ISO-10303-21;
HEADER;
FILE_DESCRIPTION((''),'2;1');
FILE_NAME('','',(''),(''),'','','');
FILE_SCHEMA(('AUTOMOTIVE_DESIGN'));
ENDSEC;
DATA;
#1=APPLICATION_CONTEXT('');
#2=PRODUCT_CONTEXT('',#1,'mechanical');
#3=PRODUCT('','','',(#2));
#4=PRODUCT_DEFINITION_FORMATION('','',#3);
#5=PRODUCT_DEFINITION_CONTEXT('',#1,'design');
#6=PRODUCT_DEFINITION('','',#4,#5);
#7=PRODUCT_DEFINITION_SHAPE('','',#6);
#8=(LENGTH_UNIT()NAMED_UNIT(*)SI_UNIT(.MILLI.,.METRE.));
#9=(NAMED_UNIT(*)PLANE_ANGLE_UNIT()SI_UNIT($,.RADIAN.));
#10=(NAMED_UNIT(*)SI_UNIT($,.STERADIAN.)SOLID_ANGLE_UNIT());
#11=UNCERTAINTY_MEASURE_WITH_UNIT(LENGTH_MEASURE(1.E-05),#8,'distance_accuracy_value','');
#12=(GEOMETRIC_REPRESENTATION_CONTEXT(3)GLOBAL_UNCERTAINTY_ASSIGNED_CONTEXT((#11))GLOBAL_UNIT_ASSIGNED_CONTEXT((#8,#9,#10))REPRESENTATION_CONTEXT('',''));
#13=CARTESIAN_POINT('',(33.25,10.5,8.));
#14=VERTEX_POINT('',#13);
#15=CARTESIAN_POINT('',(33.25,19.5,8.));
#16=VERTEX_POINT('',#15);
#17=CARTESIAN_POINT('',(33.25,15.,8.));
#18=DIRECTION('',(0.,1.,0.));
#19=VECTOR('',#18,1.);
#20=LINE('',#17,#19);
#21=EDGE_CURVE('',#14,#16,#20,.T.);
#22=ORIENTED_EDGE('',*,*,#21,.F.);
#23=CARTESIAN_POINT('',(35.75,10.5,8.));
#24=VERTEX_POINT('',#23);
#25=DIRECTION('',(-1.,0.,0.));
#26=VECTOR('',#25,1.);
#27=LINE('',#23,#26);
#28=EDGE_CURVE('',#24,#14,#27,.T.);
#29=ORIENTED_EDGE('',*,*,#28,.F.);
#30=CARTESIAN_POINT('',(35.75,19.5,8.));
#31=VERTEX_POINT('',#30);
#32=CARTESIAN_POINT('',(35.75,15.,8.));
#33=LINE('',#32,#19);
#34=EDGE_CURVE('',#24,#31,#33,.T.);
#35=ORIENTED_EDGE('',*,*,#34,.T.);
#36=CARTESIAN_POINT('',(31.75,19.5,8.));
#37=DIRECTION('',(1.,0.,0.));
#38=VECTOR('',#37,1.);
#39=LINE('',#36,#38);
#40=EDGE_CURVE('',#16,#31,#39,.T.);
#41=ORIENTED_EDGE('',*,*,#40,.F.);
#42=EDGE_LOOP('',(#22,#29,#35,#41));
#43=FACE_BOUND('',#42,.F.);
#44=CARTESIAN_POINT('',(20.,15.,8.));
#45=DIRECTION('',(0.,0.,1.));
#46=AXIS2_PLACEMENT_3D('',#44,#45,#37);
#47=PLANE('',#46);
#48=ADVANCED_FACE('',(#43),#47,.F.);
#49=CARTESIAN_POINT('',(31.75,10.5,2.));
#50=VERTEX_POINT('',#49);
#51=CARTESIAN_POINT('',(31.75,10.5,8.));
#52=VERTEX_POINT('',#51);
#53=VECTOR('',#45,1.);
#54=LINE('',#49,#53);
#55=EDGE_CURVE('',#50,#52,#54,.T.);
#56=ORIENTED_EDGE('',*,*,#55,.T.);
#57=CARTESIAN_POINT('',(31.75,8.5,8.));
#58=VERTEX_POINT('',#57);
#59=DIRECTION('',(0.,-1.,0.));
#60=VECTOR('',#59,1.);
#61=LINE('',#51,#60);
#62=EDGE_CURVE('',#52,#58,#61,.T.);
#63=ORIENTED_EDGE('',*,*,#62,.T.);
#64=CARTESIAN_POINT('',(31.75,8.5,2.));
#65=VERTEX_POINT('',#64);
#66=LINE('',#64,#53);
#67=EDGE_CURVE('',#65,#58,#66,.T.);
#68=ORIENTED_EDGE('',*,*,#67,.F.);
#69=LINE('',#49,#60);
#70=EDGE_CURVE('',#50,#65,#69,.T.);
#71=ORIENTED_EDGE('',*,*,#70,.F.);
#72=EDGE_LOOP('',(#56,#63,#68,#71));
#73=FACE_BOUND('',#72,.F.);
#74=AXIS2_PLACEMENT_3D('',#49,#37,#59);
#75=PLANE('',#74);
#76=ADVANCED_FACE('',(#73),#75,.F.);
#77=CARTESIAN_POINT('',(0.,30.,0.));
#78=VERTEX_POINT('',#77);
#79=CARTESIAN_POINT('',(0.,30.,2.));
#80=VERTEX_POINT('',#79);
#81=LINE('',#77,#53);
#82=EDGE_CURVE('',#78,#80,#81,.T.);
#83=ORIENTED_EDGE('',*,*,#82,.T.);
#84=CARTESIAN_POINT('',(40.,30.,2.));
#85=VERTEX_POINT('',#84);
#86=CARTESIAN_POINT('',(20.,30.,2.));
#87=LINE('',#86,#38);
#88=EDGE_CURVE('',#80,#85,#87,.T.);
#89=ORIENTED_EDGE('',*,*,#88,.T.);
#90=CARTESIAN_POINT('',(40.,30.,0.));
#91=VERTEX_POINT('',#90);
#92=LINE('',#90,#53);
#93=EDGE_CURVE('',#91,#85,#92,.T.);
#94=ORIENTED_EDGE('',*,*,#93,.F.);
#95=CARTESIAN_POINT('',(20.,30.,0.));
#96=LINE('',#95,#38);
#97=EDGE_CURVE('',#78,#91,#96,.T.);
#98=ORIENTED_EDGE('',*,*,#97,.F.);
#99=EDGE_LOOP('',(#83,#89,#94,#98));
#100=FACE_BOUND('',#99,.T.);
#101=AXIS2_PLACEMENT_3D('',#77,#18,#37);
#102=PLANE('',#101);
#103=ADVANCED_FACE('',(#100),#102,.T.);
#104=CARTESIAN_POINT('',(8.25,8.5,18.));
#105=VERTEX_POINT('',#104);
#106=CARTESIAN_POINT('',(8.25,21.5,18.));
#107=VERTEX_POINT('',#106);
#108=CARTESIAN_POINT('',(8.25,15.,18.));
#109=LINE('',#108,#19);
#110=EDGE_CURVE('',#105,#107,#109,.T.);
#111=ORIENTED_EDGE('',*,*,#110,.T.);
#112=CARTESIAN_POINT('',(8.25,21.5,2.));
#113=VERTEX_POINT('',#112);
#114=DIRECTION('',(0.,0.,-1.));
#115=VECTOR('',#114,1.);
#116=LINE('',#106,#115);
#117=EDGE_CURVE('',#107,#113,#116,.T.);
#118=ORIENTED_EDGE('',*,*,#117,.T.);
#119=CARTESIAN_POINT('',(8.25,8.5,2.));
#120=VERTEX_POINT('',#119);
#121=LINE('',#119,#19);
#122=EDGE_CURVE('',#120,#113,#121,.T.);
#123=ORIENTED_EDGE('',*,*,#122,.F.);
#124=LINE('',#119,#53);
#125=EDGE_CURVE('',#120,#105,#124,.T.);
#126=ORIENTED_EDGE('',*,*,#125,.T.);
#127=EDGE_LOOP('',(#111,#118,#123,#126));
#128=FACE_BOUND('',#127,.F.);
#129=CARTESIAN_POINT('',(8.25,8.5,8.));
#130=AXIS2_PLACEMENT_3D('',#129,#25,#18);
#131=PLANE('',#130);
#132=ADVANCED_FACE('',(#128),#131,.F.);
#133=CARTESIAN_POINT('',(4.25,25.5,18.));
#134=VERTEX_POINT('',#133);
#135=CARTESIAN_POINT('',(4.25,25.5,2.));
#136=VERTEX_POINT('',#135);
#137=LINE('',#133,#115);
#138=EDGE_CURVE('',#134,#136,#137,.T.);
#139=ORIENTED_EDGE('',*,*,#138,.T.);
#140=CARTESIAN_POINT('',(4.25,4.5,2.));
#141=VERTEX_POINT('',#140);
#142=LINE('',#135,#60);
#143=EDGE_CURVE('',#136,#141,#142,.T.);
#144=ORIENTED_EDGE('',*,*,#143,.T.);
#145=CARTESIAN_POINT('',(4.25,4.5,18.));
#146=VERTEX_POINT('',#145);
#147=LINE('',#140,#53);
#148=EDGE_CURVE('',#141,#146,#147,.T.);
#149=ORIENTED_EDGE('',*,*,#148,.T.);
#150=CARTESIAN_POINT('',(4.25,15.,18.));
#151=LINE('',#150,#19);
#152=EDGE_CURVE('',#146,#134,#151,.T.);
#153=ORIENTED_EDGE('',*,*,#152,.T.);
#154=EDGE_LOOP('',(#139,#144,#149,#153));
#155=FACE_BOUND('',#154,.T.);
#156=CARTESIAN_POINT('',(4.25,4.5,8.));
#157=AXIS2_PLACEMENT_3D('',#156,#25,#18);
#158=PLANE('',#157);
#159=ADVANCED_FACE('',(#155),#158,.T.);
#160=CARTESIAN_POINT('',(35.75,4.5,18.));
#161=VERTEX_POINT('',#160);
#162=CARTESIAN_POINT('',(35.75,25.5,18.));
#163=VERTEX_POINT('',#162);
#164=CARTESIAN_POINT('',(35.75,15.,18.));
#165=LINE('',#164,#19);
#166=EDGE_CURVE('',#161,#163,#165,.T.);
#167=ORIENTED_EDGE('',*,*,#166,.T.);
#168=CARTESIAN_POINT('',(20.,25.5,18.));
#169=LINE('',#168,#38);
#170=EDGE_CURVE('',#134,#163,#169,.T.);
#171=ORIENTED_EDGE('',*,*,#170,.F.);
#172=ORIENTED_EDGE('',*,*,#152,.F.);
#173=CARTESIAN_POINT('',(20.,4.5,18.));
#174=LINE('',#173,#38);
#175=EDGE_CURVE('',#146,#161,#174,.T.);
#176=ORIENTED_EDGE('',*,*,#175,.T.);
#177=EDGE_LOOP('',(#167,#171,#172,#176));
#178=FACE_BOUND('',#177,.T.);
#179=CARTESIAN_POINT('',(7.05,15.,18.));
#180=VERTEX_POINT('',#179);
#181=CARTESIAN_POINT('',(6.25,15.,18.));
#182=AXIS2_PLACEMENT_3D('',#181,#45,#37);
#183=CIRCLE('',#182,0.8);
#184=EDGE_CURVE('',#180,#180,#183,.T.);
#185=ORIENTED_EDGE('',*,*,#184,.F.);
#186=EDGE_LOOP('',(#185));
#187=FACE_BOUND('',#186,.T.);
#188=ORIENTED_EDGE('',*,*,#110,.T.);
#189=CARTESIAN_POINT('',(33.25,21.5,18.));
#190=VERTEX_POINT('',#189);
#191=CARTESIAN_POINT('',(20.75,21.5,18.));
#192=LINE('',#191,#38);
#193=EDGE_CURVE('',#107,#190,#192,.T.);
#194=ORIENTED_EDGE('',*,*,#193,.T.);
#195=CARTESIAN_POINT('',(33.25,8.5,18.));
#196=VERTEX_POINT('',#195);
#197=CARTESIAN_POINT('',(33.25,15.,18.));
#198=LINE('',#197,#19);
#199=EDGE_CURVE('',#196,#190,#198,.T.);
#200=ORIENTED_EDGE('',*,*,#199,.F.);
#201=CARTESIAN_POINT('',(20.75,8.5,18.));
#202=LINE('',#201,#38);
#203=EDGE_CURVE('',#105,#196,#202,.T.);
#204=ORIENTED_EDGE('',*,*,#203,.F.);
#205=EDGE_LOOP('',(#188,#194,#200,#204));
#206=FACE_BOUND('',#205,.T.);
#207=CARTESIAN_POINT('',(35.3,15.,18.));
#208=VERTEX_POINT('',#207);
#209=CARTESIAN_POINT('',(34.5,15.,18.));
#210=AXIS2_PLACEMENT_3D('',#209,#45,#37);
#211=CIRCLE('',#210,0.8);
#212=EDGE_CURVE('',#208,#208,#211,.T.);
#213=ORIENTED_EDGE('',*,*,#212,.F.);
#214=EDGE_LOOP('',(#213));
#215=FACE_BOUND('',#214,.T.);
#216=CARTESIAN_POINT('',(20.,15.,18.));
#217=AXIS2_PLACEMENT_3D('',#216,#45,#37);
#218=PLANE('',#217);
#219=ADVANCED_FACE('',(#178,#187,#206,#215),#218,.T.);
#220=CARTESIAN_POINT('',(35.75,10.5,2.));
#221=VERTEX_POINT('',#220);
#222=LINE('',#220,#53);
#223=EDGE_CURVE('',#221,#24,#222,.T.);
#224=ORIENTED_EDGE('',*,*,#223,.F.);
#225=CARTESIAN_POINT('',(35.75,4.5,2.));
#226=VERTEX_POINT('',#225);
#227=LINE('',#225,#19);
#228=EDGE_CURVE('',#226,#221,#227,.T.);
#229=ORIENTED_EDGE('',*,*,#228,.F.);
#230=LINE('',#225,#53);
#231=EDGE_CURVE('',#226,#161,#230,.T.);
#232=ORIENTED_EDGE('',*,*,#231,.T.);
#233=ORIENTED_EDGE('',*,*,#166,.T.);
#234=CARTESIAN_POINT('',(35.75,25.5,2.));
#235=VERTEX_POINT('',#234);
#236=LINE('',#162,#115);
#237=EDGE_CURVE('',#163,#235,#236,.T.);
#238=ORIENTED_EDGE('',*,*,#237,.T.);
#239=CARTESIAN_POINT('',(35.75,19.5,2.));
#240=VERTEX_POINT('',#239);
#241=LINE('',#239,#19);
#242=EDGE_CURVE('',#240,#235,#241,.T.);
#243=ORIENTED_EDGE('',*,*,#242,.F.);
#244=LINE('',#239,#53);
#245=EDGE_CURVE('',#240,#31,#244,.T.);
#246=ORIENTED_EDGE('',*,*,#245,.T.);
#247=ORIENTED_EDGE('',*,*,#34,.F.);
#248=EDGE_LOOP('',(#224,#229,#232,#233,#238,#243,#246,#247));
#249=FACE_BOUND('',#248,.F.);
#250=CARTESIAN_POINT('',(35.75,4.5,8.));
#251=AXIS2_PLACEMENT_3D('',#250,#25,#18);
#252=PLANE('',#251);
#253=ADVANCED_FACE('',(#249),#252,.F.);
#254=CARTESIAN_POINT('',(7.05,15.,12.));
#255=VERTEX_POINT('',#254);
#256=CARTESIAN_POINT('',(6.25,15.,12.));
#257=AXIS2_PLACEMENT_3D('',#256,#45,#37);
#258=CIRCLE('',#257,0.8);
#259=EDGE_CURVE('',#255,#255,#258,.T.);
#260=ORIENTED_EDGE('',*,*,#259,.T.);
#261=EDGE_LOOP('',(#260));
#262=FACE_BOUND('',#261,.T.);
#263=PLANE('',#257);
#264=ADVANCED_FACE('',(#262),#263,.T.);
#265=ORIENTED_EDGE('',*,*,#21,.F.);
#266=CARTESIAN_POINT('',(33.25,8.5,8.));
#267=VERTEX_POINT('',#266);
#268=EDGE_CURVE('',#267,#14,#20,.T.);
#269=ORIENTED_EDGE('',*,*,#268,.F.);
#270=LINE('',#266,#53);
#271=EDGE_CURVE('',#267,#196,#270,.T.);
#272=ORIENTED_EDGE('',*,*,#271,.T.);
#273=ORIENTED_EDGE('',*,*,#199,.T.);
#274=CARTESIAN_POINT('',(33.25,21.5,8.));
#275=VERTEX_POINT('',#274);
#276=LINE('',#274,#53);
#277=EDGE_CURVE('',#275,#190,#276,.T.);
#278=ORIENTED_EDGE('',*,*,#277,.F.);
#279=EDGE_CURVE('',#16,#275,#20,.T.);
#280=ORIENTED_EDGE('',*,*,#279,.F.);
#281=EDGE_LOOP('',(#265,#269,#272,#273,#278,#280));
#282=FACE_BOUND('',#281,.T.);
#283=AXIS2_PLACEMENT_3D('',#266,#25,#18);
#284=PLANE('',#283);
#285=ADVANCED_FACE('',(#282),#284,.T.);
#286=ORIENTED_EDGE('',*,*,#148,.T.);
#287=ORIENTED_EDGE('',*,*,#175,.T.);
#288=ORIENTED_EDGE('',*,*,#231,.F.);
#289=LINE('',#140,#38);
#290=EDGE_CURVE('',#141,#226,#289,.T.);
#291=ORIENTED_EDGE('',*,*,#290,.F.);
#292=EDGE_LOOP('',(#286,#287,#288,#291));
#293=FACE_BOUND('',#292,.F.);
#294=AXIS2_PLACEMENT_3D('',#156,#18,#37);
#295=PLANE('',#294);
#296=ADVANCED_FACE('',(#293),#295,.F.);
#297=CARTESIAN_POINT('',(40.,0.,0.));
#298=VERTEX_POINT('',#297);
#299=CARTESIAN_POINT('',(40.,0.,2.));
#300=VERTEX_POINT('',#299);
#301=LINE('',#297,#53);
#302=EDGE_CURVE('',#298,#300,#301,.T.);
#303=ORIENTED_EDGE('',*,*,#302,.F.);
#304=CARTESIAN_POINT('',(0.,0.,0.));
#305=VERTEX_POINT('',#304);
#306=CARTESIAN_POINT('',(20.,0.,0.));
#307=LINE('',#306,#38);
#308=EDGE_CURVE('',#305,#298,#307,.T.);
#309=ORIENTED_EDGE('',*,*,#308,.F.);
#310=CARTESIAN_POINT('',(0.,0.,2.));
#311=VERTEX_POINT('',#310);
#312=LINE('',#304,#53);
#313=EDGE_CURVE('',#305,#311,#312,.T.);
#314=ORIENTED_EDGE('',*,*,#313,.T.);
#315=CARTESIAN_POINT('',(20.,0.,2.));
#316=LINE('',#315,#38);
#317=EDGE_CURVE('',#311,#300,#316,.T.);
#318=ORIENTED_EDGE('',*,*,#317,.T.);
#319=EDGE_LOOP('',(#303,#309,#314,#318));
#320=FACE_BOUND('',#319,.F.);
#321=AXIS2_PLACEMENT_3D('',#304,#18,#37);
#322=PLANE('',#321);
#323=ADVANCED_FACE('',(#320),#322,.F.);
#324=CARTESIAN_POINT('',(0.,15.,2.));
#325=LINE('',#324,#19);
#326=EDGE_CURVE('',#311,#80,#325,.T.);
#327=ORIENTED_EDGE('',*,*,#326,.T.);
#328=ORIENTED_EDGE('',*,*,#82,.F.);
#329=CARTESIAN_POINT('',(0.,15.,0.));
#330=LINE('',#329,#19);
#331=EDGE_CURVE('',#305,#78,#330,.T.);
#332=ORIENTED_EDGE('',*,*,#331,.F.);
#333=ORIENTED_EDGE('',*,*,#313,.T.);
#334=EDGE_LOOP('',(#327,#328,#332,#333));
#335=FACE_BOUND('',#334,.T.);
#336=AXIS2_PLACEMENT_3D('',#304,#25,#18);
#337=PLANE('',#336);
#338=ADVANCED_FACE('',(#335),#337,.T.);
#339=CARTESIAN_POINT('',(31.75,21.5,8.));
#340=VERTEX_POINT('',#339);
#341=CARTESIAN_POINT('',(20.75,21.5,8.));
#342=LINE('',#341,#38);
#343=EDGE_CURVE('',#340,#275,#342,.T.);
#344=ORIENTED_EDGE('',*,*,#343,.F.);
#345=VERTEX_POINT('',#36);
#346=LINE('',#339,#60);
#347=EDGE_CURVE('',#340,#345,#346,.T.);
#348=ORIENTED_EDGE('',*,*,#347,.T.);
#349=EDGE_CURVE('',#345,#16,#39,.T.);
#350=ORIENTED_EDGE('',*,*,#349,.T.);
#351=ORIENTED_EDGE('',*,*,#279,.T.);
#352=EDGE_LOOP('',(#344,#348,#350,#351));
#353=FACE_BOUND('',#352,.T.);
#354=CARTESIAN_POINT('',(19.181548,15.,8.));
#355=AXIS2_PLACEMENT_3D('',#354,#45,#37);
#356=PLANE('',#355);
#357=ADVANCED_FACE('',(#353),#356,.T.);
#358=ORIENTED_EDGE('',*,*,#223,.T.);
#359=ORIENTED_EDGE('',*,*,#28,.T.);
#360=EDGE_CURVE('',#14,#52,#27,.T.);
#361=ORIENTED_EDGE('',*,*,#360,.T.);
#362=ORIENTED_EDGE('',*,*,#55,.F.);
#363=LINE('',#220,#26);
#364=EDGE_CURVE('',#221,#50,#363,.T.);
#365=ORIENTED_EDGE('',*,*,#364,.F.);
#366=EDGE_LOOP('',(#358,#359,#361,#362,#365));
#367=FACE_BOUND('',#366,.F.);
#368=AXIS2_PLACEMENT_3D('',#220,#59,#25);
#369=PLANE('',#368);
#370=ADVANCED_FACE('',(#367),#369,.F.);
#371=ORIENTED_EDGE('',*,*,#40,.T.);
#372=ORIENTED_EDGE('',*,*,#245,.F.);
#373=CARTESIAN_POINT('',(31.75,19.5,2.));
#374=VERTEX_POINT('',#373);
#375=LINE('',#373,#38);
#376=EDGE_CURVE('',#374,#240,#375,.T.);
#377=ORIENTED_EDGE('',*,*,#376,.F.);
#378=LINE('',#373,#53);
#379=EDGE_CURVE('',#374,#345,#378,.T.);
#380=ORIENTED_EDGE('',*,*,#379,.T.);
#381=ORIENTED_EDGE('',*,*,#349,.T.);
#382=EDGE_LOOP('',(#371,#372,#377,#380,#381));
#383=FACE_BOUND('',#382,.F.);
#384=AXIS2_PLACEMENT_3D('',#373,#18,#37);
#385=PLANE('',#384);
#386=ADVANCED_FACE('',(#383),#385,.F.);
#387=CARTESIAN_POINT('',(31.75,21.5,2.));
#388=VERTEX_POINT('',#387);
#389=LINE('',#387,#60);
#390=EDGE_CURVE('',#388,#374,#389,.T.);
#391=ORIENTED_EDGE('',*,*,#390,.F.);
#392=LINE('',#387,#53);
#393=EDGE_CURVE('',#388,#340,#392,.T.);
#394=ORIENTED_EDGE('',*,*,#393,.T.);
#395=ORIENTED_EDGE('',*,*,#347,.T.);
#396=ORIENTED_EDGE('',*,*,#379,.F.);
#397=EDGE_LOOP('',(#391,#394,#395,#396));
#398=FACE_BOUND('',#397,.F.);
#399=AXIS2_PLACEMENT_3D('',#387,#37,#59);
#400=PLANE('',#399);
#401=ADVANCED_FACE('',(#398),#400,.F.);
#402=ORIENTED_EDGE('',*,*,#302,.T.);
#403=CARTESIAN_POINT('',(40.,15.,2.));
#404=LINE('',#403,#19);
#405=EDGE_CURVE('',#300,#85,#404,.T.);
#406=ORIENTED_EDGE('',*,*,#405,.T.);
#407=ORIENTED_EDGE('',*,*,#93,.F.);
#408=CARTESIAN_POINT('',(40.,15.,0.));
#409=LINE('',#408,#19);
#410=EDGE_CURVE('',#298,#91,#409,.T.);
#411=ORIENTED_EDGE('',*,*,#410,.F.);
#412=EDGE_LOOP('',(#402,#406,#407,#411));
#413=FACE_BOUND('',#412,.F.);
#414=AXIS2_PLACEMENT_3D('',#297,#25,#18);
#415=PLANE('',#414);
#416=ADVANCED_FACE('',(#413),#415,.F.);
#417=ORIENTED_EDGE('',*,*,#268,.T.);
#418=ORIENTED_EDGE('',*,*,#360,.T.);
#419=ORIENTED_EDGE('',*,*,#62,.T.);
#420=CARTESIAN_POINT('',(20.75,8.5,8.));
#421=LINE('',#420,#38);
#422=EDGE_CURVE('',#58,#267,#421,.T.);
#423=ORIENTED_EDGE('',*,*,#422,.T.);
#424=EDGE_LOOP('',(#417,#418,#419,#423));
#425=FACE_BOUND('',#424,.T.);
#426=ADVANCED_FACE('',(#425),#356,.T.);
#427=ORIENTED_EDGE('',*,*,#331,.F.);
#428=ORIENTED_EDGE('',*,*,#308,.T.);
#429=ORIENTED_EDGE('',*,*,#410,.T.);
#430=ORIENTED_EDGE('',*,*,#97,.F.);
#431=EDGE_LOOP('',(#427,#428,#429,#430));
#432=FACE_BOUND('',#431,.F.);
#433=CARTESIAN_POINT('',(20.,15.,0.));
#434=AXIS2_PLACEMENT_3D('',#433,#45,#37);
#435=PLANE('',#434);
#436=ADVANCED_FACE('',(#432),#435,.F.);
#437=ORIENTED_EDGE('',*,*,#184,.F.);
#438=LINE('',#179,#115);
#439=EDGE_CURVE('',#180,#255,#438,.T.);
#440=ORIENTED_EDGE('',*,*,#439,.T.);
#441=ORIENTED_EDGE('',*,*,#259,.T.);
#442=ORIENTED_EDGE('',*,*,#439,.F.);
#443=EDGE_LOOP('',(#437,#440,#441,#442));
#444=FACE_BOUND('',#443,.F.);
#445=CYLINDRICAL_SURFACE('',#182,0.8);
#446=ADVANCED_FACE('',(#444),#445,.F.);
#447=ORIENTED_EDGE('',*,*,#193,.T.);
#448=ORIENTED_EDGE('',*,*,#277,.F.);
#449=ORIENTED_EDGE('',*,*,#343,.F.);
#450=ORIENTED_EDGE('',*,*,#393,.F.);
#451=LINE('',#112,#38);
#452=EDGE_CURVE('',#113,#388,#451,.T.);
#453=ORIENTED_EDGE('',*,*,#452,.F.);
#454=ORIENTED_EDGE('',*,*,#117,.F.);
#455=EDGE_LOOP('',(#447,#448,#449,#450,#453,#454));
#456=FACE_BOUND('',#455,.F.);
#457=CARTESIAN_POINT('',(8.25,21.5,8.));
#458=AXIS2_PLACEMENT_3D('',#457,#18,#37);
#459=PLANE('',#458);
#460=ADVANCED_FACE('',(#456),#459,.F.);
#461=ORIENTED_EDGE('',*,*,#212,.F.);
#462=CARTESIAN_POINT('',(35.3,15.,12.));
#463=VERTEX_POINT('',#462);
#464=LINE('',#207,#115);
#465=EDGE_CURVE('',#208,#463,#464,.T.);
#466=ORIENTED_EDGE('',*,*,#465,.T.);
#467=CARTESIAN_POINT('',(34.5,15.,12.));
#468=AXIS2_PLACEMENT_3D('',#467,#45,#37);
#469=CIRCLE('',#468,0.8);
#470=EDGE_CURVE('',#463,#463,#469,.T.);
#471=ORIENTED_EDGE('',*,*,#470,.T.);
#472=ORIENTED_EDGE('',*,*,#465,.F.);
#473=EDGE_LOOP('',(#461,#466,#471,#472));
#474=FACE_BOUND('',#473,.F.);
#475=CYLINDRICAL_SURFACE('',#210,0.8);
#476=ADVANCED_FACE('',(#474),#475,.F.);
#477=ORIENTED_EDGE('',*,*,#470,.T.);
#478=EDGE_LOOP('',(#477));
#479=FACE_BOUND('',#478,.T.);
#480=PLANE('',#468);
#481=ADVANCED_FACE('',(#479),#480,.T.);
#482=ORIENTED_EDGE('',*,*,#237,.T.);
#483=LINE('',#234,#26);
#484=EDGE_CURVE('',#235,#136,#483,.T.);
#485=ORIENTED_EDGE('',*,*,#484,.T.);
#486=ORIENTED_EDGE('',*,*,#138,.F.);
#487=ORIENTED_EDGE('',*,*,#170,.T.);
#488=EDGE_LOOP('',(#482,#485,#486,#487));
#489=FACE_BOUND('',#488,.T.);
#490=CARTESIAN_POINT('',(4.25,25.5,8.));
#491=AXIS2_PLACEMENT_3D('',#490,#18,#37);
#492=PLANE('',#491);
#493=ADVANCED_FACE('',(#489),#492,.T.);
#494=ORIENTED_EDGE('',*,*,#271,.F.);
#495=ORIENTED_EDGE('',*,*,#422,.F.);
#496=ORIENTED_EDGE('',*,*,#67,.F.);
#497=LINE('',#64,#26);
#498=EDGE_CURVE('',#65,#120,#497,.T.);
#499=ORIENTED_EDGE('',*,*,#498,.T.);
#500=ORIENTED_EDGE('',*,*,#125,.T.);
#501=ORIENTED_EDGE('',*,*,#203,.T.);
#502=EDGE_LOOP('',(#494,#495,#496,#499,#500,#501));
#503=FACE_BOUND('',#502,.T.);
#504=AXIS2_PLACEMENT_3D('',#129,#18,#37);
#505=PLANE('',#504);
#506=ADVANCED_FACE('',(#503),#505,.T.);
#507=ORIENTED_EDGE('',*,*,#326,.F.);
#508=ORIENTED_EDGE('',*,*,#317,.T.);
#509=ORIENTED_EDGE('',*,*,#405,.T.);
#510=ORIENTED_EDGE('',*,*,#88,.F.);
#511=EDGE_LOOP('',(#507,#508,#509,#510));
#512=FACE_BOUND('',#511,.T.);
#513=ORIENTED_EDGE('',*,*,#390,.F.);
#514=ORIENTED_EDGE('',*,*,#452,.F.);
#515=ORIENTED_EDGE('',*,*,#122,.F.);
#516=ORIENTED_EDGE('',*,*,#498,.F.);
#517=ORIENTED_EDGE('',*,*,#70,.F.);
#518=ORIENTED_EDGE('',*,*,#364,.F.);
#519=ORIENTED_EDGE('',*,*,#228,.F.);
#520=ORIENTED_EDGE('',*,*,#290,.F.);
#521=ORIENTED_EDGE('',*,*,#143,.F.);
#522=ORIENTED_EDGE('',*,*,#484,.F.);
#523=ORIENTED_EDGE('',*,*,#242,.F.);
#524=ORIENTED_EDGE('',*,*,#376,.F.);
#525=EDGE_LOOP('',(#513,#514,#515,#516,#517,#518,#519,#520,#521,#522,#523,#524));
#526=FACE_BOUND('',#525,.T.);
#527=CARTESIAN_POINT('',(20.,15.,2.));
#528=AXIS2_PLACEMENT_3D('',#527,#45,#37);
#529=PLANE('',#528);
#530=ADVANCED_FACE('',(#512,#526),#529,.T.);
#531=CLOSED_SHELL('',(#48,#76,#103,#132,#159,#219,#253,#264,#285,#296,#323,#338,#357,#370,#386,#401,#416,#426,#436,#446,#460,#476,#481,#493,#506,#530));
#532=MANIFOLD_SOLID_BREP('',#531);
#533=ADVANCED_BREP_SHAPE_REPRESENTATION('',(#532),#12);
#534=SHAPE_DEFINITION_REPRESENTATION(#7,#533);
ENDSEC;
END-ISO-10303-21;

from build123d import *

# Parameters (mm, degrees)
BOX_W         = 40
BOX_H         = 30
BOX_DEPTH     = 2
PAD_DEPTH     = 6
SKETCH001_W   = 31.5
SKETCH001_H   = 21
SKETCH001_W_2 = 25
SKETCH001_H_2 = 13
PAD001_DEPTH  = 10
SKETCH002_R   = 0.8
POCKET_DEPTH  = 6


with BuildPart() as part:
    # Box → Box (new body)
    with BuildSketch(Plane.XY):
        with Locations((20, 15)):
            Rectangle(BOX_W, BOX_H)
    extrude(amount=BOX_DEPTH)

    # Sketch (on Face6 of BaseFeature) → Pad (new body)
    with BuildSketch(Plane.XY.offset(2)):
        Polygon((35.75, 19.5), (35.75, 25.5), (4.25, 25.5), (4.25, 4.5), (35.75, 4.5), (35.75, 10.5), (31.75, 10.5), (31.75, 8.5), (8.25, 8.5), (8.25, 21.5), (31.75, 21.5), (31.75, 19.5), align=None)
    extrude(amount=PAD_DEPTH)

    # Sketch001 (on Face19 of Pad) → Pad001 (join)
    with BuildSketch(Plane.XY.offset(8)):
        with Locations((20, 15)):
            Rectangle(SKETCH001_W, SKETCH001_H)
        with Locations((20.75, 15)):
            Rectangle(SKETCH001_W_2, SKETCH001_H_2, mode=Mode.SUBTRACT)
    extrude(amount=PAD001_DEPTH)

    # Sketch002 (on Face29 of Pad001) → Pocket (cut)
    with BuildSketch(Plane.XY.offset(18)):
        with Locations((6.25, 15)):
            Circle(SKETCH002_R)
        with Locations((34.5, 15)):
            Circle(SKETCH002_R)
    extrude(amount=-POCKET_DEPTH, mode=Mode.SUBTRACT)


solid = part.part
